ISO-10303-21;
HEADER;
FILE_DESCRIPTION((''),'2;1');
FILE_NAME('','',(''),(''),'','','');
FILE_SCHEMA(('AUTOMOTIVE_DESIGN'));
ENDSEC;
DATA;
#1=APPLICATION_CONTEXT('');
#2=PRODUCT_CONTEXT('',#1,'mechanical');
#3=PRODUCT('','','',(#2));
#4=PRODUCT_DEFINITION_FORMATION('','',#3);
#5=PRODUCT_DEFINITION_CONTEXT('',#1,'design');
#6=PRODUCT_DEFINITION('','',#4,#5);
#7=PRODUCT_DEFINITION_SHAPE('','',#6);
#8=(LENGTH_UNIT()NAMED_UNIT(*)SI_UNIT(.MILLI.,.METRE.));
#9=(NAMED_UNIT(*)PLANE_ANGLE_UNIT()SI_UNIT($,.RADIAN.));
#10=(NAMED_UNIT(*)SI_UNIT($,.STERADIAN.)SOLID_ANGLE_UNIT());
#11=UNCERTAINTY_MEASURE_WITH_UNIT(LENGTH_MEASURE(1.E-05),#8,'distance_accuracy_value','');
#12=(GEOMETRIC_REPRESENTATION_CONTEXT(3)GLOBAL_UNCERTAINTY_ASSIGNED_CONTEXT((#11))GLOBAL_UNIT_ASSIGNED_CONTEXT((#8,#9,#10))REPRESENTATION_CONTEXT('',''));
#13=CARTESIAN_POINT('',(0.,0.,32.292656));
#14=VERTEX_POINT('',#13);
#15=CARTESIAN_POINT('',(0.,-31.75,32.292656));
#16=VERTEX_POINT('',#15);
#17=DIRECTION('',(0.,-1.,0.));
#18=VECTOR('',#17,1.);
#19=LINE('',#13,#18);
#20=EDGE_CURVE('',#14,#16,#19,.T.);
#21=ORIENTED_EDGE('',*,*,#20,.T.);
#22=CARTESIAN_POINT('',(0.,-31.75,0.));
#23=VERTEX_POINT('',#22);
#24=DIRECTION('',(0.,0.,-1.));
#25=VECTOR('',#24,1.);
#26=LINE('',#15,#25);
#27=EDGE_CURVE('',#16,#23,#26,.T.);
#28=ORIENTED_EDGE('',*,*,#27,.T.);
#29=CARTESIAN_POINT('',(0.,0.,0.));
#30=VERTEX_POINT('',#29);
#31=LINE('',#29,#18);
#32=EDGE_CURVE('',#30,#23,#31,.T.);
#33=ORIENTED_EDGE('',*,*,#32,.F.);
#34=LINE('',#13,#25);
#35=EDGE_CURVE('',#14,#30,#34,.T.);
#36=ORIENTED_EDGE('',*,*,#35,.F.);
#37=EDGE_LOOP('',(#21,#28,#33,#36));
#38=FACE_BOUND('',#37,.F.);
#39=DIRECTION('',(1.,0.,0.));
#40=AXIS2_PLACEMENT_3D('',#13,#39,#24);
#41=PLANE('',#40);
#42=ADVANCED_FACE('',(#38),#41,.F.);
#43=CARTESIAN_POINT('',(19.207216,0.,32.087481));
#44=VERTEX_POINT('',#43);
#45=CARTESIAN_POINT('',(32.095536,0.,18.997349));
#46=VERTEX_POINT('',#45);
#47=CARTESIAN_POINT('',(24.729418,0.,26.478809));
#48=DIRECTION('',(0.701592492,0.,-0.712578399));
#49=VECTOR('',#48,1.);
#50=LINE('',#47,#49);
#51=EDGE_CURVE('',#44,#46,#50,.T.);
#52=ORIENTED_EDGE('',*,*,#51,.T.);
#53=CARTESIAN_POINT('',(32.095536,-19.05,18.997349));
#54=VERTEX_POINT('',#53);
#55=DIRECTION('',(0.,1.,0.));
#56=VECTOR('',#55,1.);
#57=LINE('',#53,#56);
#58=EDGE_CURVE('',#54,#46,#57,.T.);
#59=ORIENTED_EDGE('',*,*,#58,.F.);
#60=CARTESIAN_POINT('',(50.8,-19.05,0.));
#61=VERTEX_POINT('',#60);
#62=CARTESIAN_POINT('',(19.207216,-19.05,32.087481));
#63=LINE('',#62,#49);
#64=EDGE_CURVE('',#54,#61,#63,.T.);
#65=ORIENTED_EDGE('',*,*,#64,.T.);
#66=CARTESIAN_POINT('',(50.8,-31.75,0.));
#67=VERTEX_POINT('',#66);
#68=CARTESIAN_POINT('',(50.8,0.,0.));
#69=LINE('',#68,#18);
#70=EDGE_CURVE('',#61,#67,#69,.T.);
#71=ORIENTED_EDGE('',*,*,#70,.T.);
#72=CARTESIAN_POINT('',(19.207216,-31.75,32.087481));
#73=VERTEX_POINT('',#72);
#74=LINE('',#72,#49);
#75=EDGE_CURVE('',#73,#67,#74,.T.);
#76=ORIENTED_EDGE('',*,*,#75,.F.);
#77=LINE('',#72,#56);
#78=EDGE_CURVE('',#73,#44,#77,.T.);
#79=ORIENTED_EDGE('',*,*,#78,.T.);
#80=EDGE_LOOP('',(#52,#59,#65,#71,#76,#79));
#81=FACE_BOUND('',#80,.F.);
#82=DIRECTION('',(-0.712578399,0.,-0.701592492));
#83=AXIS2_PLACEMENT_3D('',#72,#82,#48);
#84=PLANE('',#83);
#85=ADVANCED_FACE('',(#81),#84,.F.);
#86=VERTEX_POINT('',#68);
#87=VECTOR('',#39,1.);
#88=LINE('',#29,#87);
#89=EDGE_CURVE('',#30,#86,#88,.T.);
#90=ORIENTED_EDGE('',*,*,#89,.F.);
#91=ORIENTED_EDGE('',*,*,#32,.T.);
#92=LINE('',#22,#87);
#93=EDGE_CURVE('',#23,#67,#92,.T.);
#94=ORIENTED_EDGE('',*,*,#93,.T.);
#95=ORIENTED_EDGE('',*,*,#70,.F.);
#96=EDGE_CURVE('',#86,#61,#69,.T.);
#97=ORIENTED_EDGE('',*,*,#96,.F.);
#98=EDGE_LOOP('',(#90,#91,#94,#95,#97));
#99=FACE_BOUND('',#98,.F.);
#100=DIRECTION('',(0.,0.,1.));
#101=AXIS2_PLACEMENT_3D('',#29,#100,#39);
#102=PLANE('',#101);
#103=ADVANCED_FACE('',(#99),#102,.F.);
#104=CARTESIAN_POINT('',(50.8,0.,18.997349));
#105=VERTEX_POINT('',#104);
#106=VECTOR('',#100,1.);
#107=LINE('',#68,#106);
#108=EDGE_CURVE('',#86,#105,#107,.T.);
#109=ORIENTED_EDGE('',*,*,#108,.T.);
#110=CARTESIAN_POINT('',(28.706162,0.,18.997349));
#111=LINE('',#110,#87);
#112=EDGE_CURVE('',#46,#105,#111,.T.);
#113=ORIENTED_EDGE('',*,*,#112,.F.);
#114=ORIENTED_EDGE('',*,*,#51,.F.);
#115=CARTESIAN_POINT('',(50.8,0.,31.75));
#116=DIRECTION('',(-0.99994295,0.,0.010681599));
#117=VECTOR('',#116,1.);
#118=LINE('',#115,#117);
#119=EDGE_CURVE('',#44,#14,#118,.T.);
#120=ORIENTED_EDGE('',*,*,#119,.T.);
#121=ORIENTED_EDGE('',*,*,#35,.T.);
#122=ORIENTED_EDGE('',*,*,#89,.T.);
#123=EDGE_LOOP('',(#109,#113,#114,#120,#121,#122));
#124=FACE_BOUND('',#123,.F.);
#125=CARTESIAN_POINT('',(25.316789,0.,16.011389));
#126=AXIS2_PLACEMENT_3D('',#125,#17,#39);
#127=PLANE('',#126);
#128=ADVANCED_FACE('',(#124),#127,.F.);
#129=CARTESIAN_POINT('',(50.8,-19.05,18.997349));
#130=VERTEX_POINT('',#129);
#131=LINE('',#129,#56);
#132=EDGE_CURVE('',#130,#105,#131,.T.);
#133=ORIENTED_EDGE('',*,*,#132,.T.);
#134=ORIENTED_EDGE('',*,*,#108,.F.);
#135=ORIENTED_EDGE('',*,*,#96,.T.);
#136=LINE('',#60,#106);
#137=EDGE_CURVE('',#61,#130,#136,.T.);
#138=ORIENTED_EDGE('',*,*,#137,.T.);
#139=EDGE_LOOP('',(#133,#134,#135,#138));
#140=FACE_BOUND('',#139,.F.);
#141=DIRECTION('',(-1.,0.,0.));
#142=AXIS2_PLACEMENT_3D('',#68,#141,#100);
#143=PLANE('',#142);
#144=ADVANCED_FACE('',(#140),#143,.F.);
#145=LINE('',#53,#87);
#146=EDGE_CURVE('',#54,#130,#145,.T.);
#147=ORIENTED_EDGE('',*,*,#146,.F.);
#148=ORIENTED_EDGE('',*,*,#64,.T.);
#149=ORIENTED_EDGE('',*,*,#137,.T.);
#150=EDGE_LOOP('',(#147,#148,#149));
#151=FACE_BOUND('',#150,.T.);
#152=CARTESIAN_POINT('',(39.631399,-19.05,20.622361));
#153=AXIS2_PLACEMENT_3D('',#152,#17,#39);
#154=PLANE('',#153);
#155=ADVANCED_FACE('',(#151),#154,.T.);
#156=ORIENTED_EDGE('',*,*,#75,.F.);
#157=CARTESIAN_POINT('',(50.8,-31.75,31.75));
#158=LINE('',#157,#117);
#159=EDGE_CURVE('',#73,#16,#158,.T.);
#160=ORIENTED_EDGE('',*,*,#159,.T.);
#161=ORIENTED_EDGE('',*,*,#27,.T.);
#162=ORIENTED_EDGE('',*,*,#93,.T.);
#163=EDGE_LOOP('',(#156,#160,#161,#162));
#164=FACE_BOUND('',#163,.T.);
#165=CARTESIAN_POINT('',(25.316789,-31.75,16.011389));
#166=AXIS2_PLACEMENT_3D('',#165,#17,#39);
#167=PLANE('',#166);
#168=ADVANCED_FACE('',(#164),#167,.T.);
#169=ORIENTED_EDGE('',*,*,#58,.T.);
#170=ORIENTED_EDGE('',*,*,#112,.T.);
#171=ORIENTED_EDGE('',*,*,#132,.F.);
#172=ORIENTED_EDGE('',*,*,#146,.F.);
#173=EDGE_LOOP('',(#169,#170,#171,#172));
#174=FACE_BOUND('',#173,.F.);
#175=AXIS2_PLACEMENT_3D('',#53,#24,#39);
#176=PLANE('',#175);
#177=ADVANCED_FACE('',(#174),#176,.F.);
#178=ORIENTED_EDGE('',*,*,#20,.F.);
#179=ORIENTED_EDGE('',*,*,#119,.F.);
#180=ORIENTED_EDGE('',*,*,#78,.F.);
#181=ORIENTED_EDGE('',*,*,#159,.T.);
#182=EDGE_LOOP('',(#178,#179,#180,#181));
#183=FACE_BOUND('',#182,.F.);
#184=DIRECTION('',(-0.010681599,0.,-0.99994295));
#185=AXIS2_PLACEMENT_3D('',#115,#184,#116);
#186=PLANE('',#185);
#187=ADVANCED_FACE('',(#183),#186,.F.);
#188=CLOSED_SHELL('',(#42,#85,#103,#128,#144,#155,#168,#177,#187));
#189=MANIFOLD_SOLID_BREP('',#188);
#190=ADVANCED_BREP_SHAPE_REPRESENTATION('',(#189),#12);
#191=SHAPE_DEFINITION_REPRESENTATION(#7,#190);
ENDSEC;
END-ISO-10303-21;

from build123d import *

# Parameters (mm, degrees)
F1_DEPTH = 31.75
F3_DEPTH = 12.7
F5_DEPTH = 19.051


with BuildPart() as f1:
    # F0 (on Front) → F1 (new body)
    with BuildSketch(Plane.XZ):
        Polygon((50.8, 31.75), (0, 32.2926561947), (0, 0), (50.8, 0), align=None)
    extrude(amount=F1_DEPTH)

    # F2 (on face) → F3 (cut)
    with BuildSketch(Plane.XZ.offset(31.75)):
        Polygon((50.8, 31.75), (19.2072158541, 32.0874807091), (50.8, 0), align=None)
    extrude(amount=-F3_DEPTH, mode=Mode.SUBTRACT)

    # F4 (on face) → F5 (cut, through all)
    with BuildSketch(Plane.XZ.offset(19.05)):
        Polygon((32.0955355752, 18.997348845), (50.8, 18.997348845), (50.8, 31.75), (19.2072158541, 32.0874807091), align=None)
    extrude(amount=-F5_DEPTH, mode=Mode.SUBTRACT)


solid = f1.part
